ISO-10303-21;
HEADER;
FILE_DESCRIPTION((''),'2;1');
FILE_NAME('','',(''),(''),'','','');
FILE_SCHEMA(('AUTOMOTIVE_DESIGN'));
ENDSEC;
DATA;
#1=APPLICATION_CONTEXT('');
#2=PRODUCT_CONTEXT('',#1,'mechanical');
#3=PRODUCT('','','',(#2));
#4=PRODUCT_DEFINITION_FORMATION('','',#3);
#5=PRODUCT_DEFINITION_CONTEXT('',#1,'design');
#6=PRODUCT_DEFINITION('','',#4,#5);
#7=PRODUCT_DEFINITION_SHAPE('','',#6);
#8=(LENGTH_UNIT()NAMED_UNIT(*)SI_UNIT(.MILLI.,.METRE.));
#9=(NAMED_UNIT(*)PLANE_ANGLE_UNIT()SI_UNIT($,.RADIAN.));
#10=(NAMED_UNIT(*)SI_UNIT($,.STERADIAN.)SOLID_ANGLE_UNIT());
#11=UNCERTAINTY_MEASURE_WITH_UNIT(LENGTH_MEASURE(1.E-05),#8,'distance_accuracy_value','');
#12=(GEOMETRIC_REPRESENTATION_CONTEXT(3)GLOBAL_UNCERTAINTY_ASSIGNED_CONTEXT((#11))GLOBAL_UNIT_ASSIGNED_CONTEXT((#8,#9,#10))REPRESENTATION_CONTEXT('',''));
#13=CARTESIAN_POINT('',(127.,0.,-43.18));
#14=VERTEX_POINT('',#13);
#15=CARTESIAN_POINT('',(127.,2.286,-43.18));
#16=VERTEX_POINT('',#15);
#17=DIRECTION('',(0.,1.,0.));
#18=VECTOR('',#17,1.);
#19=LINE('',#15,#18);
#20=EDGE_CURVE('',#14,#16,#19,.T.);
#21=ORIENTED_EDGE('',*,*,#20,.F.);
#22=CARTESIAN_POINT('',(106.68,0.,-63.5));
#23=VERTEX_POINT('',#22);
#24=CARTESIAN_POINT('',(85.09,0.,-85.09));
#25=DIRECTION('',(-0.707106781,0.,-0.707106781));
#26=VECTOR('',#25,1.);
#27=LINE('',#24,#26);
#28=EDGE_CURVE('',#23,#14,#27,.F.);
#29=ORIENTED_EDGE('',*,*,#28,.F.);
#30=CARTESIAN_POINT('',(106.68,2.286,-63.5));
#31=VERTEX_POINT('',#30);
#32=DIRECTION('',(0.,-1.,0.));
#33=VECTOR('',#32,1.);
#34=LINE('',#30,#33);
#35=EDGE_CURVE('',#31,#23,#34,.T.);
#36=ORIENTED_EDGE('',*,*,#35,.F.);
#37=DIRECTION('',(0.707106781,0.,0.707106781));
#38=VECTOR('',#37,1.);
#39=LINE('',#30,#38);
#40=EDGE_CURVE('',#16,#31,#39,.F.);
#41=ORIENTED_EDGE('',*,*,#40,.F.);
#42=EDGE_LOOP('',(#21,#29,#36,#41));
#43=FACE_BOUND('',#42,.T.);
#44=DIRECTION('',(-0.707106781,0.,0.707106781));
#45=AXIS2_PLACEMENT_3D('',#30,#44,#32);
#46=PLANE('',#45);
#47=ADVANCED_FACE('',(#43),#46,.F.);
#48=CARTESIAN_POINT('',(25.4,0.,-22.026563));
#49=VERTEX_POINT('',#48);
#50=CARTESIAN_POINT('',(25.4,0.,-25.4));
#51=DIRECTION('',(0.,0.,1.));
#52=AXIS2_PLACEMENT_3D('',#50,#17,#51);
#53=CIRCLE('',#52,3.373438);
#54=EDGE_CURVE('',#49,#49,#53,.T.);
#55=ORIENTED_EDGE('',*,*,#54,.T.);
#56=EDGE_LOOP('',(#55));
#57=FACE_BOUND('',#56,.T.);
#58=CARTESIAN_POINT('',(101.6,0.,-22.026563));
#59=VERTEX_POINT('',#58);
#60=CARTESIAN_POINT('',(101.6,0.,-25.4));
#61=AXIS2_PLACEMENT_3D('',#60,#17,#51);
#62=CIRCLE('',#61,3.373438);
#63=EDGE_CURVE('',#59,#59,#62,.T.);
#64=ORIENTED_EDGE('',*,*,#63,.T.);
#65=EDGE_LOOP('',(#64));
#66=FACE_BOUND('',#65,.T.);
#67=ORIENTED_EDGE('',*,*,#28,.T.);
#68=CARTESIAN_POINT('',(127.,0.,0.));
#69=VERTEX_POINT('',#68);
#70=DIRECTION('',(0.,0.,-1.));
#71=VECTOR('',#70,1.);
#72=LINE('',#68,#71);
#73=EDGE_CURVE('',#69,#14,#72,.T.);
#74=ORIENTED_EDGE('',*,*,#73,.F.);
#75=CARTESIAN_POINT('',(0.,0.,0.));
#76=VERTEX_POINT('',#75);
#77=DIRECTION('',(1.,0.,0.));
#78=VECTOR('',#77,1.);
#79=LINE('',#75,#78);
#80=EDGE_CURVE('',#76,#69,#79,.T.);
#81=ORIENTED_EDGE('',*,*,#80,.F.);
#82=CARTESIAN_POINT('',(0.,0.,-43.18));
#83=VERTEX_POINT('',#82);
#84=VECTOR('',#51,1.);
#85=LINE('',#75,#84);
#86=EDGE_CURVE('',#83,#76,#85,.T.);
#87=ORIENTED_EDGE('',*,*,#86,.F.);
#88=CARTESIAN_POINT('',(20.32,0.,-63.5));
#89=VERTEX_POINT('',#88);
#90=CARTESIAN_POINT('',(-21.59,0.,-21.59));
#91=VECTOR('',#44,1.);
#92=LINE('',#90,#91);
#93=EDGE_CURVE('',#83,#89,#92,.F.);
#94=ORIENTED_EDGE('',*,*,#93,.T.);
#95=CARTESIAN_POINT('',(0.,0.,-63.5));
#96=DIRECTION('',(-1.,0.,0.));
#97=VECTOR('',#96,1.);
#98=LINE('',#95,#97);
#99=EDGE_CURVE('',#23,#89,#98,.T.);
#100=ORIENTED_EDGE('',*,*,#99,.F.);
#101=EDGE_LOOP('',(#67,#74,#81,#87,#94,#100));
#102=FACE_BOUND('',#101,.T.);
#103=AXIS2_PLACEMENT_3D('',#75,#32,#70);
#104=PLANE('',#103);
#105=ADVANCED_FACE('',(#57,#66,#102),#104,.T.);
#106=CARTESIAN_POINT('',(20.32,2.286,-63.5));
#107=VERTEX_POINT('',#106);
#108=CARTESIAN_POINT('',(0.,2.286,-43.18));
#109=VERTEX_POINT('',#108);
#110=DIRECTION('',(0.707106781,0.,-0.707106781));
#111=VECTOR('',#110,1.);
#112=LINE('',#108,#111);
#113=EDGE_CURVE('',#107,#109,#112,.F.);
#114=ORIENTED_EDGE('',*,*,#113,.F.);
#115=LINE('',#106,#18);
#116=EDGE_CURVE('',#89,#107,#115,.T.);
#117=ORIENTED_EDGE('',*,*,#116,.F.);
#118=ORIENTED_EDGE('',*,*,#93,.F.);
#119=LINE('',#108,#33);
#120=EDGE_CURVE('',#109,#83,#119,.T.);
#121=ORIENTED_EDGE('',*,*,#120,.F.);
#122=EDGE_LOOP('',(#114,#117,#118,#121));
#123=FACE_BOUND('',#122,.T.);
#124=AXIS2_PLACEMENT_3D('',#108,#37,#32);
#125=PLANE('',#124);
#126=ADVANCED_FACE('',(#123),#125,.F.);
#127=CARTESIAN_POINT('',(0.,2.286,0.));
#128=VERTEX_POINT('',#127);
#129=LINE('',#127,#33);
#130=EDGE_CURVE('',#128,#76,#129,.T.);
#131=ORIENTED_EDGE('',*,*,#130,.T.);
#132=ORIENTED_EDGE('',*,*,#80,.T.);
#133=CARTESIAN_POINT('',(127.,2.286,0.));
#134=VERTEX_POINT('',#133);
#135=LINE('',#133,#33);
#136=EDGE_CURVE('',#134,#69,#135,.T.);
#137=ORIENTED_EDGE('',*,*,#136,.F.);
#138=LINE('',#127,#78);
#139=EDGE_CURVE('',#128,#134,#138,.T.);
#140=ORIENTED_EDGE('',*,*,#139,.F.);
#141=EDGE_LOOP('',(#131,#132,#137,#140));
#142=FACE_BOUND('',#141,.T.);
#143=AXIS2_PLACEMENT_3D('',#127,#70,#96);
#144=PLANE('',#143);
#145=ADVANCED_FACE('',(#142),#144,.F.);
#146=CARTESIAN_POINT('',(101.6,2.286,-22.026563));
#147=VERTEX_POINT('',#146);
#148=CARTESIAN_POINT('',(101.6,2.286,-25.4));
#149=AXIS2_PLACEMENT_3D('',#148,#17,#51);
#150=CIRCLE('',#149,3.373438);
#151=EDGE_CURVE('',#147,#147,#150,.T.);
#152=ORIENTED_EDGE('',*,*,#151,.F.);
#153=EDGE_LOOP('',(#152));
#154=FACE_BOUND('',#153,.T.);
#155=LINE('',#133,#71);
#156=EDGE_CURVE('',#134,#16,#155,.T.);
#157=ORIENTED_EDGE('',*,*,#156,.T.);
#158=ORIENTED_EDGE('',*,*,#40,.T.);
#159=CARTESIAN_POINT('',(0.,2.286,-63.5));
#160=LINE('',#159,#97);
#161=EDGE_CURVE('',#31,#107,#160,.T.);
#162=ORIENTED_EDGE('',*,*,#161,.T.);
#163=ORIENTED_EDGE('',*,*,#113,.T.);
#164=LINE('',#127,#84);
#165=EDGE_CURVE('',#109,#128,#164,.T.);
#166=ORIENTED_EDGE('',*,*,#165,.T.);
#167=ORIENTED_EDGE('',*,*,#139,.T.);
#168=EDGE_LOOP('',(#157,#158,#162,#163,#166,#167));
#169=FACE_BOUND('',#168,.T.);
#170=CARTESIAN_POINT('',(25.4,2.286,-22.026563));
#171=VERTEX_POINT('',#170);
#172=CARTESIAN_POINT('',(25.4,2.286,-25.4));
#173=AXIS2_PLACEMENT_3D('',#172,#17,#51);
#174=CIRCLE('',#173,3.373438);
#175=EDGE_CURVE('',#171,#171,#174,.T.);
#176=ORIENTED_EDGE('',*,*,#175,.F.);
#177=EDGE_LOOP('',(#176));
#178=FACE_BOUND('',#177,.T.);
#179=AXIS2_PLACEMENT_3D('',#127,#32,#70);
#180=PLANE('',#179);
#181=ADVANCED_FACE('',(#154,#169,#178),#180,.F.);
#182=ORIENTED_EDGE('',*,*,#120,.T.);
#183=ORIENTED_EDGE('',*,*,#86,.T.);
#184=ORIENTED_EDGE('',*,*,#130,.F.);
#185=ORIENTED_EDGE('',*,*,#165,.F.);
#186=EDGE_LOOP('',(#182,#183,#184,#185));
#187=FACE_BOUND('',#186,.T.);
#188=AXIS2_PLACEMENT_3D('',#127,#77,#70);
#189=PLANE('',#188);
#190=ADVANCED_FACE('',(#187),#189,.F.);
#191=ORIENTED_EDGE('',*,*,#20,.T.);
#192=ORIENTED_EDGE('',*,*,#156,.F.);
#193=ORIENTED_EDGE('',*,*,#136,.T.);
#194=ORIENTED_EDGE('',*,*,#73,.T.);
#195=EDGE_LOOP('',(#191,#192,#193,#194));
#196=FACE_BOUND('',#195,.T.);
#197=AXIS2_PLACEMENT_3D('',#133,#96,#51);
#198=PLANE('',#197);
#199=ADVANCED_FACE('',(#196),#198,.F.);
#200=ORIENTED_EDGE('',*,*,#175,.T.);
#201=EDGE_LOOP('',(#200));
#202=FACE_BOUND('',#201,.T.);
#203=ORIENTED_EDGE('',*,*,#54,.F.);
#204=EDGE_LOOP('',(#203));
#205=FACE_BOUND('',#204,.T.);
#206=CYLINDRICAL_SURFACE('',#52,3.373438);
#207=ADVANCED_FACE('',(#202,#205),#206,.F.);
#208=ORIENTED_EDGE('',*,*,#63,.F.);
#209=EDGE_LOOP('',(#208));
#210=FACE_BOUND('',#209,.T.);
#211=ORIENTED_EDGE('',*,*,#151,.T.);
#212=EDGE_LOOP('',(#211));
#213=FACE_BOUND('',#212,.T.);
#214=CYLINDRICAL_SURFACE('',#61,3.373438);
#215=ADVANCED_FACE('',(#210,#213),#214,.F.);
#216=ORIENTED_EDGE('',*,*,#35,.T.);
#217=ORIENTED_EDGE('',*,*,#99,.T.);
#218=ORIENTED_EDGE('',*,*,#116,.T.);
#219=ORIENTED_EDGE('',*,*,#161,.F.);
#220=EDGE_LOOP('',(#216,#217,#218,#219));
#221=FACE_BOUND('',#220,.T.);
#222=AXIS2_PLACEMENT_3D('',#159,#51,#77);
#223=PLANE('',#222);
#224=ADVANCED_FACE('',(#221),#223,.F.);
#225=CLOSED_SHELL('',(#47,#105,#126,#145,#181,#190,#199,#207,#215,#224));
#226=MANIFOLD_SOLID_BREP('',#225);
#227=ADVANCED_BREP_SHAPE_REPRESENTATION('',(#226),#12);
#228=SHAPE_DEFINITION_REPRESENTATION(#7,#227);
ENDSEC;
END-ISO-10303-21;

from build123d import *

# Parameters (mm, degrees)
SKETCH1_W           = 127
SKETCH1_H           = 63.5
BOSS_EXTRUDE1_DEPTH = 2.286
SKETCH2_R           = 3.3734375
CUT_EXTRUDE1_DEPTH  = 143.008717324
CHAMFER1_SIZE       = 20.32


with BuildPart() as part:
    # Sketch1 → Boss-Extrude1 (new body)
    with BuildSketch(Plane(origin=(0, 0, 0), x_dir=(1, 0, 0), z_dir=(0, 1, 0))):
        with Locations((63.5, 31.75)):
            Rectangle(SKETCH1_W, SKETCH1_H)
    extrude(amount=BOSS_EXTRUDE1_DEPTH)

    # Sketch2 → Cut-Extrude1 (cut, through all)
    with BuildSketch(Plane(origin=(0, 2.286, 0), x_dir=(1, 0, 0), z_dir=(0, 1, 0))):
        with Locations(Location((25.4, 25.4, 0), (0, 0, 270))):
            Circle(SKETCH2_R)
        with Locations(Location((101.6, 25.4, 0), (0, 0, 270))):
            Circle(SKETCH2_R)
    extrude(amount=-CUT_EXTRUDE1_DEPTH, mode=Mode.SUBTRACT)

    # Chamfer1
    chamfer1_edges = [part.edges().sort_by_distance(p)[0] for p in [
        (0, 1.143, -63.5),
        (127, 1.143, -63.5),
    ]]
    chamfer(chamfer1_edges, length=CHAMFER1_SIZE)


solid = part.part
